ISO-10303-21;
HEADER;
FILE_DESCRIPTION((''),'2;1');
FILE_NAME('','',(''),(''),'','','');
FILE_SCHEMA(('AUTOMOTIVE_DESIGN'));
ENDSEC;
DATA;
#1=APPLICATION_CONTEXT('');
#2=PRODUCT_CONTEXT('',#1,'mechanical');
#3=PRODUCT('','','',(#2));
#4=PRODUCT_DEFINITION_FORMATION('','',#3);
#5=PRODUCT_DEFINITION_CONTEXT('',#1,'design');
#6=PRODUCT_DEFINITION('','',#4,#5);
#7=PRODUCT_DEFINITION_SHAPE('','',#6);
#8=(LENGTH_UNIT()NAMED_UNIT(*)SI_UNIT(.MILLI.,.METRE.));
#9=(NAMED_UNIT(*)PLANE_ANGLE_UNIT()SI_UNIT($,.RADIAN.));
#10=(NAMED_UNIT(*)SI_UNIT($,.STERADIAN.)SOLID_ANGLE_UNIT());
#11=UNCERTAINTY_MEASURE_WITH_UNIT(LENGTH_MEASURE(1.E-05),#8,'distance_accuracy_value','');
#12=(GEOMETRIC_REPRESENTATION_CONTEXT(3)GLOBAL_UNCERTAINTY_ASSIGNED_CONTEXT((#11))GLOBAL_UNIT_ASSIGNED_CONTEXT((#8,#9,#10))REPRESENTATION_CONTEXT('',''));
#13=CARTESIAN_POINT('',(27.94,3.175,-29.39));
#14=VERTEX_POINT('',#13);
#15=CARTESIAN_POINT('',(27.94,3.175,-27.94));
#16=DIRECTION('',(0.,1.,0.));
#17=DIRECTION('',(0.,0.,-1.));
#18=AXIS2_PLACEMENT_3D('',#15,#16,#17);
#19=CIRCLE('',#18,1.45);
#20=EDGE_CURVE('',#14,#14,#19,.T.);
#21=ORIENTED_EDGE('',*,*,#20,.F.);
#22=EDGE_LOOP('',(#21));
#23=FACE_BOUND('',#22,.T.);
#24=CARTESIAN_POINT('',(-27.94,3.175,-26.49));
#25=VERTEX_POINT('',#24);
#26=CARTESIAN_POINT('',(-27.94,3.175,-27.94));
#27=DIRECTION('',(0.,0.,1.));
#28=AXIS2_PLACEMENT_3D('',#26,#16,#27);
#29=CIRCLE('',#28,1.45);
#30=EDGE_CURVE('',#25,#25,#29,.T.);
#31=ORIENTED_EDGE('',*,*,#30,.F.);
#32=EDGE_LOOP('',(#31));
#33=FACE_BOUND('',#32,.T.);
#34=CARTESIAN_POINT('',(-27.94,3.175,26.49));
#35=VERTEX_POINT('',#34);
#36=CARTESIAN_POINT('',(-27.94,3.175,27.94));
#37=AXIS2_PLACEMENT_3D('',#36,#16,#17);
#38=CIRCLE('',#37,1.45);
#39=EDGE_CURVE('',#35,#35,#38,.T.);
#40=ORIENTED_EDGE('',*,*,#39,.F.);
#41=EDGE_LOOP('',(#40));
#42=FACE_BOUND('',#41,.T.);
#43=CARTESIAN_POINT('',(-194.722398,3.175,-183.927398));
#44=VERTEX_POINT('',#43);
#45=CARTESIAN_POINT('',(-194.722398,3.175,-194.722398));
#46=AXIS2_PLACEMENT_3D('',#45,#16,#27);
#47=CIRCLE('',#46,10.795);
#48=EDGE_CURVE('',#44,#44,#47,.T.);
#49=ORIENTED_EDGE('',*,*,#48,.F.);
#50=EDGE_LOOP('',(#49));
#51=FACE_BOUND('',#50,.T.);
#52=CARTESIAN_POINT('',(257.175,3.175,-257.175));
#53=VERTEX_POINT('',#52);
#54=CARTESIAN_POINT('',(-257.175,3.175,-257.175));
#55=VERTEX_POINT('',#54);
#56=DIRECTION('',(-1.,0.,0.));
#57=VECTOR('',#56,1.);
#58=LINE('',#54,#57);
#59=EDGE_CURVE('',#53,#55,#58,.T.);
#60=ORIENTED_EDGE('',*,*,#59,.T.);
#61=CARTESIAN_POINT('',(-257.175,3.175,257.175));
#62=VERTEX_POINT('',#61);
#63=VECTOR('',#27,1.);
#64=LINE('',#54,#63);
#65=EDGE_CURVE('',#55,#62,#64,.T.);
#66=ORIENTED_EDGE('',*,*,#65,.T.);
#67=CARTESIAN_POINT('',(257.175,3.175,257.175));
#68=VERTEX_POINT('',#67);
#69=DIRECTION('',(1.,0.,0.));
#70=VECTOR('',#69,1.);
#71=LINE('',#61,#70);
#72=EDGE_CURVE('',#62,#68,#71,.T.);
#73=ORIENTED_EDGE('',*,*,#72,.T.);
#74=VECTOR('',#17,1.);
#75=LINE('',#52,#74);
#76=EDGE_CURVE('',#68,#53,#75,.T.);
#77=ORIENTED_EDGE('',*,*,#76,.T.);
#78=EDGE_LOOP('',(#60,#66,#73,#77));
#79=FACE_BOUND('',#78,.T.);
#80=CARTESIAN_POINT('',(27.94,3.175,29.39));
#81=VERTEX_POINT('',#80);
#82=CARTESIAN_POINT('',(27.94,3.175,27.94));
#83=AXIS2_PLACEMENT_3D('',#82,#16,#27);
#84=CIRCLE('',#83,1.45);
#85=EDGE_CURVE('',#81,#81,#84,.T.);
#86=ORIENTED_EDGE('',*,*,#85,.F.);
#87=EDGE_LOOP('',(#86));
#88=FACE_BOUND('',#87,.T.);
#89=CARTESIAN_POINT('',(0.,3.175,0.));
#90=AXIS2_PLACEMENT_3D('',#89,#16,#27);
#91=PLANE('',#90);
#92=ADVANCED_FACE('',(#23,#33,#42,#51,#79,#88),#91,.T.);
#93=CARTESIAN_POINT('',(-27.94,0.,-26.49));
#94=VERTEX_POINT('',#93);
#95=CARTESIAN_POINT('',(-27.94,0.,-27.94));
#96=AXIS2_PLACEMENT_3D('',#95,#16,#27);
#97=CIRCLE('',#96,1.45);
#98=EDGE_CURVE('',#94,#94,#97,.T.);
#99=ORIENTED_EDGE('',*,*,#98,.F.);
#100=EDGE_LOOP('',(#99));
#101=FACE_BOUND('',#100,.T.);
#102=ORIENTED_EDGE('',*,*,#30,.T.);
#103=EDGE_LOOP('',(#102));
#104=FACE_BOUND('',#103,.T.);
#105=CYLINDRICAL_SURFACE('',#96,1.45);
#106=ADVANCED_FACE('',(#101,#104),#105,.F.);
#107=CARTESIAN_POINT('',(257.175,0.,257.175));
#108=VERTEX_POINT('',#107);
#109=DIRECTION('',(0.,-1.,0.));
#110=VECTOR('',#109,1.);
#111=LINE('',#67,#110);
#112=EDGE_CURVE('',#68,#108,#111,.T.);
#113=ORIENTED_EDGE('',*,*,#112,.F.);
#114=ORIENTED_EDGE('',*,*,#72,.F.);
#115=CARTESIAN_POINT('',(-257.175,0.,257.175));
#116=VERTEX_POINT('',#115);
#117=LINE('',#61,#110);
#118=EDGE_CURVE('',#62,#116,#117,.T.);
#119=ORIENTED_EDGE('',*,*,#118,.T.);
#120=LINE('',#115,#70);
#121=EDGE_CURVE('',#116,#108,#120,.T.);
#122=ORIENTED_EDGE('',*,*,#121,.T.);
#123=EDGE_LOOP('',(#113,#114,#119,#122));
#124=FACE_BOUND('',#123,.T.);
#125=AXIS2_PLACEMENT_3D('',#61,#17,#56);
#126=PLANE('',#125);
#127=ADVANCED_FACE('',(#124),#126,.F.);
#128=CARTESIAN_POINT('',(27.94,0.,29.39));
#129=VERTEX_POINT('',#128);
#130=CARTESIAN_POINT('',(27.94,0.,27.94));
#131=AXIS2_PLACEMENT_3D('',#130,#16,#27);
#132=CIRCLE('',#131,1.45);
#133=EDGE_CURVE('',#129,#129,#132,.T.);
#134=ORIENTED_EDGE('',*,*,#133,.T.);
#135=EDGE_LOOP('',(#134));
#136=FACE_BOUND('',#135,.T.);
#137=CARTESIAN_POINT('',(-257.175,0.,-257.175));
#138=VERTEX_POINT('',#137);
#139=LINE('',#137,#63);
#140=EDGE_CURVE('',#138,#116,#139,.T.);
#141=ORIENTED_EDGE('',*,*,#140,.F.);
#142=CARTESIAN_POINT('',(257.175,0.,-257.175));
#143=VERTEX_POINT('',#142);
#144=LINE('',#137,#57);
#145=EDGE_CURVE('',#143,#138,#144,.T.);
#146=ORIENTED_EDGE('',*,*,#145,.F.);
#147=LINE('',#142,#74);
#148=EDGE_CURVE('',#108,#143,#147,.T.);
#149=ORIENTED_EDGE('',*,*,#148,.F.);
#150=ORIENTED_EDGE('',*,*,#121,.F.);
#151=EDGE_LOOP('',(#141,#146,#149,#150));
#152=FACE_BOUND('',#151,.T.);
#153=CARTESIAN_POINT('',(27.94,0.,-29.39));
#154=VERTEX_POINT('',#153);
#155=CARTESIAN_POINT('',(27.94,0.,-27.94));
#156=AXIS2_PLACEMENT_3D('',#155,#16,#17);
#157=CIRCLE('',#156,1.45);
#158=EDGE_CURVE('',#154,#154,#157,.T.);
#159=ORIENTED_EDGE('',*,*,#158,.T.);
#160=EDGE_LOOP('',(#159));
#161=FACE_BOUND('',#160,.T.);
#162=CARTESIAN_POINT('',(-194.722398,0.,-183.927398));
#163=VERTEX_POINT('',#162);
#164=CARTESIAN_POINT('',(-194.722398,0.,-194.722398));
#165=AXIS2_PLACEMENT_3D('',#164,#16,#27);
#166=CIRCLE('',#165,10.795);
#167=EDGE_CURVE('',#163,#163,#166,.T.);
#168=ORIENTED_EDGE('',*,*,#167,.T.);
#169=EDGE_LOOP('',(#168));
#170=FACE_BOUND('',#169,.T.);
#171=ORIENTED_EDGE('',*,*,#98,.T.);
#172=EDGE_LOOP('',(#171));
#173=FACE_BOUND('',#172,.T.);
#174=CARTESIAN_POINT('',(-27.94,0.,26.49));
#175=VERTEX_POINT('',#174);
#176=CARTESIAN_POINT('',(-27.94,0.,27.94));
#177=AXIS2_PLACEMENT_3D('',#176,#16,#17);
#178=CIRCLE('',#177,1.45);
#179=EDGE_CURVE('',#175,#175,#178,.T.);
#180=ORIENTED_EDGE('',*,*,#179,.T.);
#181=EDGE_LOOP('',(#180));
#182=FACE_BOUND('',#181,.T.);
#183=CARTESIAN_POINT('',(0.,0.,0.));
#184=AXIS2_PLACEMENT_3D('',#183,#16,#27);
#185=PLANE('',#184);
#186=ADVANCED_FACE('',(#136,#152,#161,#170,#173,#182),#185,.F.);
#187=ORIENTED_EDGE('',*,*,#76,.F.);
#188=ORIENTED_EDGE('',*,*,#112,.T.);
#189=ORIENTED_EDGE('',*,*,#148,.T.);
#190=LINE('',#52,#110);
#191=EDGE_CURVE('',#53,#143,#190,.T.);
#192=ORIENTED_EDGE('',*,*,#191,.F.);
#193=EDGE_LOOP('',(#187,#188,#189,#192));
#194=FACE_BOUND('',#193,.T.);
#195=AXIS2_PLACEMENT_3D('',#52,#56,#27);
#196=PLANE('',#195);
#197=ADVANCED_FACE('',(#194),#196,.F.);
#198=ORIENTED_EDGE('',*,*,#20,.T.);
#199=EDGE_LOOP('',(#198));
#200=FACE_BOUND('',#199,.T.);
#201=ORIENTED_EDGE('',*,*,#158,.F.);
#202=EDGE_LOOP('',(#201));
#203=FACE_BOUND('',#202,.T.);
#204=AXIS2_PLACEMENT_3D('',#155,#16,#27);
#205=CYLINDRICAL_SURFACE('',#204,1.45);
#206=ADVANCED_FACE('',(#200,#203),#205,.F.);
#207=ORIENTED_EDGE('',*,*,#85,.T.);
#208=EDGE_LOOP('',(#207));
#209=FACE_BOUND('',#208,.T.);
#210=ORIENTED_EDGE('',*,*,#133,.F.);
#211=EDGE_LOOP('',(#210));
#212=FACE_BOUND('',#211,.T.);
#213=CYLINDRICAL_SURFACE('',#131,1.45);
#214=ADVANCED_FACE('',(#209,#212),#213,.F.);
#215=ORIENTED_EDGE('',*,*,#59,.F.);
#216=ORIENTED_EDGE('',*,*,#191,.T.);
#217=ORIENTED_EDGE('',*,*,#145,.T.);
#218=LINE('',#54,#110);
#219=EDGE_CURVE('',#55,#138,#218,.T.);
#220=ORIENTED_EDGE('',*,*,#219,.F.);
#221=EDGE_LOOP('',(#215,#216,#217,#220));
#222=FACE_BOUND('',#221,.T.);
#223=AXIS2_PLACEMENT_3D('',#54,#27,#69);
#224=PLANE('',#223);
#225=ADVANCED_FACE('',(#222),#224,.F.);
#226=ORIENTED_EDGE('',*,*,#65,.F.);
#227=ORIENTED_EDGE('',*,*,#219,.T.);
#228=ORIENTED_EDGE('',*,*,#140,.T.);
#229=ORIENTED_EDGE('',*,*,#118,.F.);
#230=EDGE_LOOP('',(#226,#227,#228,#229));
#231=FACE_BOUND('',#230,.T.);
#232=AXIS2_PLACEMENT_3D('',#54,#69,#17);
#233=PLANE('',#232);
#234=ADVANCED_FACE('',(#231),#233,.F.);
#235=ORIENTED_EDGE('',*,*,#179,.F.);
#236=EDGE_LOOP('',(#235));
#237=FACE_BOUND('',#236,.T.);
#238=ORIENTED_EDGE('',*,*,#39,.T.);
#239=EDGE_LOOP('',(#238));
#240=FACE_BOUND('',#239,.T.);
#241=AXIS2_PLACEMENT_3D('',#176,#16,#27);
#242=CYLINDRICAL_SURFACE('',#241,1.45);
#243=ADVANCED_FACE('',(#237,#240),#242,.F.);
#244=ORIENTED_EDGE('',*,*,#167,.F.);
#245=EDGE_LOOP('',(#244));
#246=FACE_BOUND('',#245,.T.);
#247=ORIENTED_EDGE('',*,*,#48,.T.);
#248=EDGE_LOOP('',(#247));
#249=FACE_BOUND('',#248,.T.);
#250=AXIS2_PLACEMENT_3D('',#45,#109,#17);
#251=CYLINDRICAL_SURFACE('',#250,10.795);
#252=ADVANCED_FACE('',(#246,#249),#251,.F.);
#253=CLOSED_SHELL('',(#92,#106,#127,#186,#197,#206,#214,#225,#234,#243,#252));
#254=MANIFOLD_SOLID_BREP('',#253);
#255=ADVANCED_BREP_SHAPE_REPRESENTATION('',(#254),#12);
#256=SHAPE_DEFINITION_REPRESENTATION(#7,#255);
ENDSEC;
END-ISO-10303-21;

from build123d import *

# Parameters (mm, degrees)
SKETCH1_W           = 514.35
SKETCH1_H           = 514.35
SKETCH1_R           = 10.795
BOSS_EXTRUDE1_DEPTH = 3.175
SKETCH2_R           = 1.45
CUT_EXTRUDE1_DEPTH  = 364.714231059


with BuildPart() as part:
    # Sketch1 → Boss-Extrude1 (new body)
    with BuildSketch(Plane(origin=(0, 0, 0), x_dir=(1, 0, 0), z_dir=(0, 1, 0))):
        Rectangle(SKETCH1_W, SKETCH1_H)
        with Locations(Location((-194.722397765, 194.722397765, 0), (0, 0, 270))):
            Circle(SKETCH1_R, mode=Mode.SUBTRACT)
    extrude(amount=BOSS_EXTRUDE1_DEPTH)

    # Sketch2 → Cut-Extrude1 (cut, through all)
    with BuildSketch(Plane(origin=(0, 3.175, 0), x_dir=(1, 0, 0), z_dir=(0, 1, 0))):
        with Locations(Location((-27.94, 27.94, 0), (0, 0, 270))):
            Circle(SKETCH2_R)
        with Locations(Location((27.94, 27.94, 0), (0, 0, 90))):
            Circle(SKETCH2_R)
        with Locations(Location((27.94, -27.94, 0), (0, 0, 270))):
            Circle(SKETCH2_R)
        with Locations(Location((-27.94, -27.94, 0), (0, 0, 90))):
            Circle(SKETCH2_R)
    extrude(amount=-CUT_EXTRUDE1_DEPTH, mode=Mode.SUBTRACT)


solid = part.part
